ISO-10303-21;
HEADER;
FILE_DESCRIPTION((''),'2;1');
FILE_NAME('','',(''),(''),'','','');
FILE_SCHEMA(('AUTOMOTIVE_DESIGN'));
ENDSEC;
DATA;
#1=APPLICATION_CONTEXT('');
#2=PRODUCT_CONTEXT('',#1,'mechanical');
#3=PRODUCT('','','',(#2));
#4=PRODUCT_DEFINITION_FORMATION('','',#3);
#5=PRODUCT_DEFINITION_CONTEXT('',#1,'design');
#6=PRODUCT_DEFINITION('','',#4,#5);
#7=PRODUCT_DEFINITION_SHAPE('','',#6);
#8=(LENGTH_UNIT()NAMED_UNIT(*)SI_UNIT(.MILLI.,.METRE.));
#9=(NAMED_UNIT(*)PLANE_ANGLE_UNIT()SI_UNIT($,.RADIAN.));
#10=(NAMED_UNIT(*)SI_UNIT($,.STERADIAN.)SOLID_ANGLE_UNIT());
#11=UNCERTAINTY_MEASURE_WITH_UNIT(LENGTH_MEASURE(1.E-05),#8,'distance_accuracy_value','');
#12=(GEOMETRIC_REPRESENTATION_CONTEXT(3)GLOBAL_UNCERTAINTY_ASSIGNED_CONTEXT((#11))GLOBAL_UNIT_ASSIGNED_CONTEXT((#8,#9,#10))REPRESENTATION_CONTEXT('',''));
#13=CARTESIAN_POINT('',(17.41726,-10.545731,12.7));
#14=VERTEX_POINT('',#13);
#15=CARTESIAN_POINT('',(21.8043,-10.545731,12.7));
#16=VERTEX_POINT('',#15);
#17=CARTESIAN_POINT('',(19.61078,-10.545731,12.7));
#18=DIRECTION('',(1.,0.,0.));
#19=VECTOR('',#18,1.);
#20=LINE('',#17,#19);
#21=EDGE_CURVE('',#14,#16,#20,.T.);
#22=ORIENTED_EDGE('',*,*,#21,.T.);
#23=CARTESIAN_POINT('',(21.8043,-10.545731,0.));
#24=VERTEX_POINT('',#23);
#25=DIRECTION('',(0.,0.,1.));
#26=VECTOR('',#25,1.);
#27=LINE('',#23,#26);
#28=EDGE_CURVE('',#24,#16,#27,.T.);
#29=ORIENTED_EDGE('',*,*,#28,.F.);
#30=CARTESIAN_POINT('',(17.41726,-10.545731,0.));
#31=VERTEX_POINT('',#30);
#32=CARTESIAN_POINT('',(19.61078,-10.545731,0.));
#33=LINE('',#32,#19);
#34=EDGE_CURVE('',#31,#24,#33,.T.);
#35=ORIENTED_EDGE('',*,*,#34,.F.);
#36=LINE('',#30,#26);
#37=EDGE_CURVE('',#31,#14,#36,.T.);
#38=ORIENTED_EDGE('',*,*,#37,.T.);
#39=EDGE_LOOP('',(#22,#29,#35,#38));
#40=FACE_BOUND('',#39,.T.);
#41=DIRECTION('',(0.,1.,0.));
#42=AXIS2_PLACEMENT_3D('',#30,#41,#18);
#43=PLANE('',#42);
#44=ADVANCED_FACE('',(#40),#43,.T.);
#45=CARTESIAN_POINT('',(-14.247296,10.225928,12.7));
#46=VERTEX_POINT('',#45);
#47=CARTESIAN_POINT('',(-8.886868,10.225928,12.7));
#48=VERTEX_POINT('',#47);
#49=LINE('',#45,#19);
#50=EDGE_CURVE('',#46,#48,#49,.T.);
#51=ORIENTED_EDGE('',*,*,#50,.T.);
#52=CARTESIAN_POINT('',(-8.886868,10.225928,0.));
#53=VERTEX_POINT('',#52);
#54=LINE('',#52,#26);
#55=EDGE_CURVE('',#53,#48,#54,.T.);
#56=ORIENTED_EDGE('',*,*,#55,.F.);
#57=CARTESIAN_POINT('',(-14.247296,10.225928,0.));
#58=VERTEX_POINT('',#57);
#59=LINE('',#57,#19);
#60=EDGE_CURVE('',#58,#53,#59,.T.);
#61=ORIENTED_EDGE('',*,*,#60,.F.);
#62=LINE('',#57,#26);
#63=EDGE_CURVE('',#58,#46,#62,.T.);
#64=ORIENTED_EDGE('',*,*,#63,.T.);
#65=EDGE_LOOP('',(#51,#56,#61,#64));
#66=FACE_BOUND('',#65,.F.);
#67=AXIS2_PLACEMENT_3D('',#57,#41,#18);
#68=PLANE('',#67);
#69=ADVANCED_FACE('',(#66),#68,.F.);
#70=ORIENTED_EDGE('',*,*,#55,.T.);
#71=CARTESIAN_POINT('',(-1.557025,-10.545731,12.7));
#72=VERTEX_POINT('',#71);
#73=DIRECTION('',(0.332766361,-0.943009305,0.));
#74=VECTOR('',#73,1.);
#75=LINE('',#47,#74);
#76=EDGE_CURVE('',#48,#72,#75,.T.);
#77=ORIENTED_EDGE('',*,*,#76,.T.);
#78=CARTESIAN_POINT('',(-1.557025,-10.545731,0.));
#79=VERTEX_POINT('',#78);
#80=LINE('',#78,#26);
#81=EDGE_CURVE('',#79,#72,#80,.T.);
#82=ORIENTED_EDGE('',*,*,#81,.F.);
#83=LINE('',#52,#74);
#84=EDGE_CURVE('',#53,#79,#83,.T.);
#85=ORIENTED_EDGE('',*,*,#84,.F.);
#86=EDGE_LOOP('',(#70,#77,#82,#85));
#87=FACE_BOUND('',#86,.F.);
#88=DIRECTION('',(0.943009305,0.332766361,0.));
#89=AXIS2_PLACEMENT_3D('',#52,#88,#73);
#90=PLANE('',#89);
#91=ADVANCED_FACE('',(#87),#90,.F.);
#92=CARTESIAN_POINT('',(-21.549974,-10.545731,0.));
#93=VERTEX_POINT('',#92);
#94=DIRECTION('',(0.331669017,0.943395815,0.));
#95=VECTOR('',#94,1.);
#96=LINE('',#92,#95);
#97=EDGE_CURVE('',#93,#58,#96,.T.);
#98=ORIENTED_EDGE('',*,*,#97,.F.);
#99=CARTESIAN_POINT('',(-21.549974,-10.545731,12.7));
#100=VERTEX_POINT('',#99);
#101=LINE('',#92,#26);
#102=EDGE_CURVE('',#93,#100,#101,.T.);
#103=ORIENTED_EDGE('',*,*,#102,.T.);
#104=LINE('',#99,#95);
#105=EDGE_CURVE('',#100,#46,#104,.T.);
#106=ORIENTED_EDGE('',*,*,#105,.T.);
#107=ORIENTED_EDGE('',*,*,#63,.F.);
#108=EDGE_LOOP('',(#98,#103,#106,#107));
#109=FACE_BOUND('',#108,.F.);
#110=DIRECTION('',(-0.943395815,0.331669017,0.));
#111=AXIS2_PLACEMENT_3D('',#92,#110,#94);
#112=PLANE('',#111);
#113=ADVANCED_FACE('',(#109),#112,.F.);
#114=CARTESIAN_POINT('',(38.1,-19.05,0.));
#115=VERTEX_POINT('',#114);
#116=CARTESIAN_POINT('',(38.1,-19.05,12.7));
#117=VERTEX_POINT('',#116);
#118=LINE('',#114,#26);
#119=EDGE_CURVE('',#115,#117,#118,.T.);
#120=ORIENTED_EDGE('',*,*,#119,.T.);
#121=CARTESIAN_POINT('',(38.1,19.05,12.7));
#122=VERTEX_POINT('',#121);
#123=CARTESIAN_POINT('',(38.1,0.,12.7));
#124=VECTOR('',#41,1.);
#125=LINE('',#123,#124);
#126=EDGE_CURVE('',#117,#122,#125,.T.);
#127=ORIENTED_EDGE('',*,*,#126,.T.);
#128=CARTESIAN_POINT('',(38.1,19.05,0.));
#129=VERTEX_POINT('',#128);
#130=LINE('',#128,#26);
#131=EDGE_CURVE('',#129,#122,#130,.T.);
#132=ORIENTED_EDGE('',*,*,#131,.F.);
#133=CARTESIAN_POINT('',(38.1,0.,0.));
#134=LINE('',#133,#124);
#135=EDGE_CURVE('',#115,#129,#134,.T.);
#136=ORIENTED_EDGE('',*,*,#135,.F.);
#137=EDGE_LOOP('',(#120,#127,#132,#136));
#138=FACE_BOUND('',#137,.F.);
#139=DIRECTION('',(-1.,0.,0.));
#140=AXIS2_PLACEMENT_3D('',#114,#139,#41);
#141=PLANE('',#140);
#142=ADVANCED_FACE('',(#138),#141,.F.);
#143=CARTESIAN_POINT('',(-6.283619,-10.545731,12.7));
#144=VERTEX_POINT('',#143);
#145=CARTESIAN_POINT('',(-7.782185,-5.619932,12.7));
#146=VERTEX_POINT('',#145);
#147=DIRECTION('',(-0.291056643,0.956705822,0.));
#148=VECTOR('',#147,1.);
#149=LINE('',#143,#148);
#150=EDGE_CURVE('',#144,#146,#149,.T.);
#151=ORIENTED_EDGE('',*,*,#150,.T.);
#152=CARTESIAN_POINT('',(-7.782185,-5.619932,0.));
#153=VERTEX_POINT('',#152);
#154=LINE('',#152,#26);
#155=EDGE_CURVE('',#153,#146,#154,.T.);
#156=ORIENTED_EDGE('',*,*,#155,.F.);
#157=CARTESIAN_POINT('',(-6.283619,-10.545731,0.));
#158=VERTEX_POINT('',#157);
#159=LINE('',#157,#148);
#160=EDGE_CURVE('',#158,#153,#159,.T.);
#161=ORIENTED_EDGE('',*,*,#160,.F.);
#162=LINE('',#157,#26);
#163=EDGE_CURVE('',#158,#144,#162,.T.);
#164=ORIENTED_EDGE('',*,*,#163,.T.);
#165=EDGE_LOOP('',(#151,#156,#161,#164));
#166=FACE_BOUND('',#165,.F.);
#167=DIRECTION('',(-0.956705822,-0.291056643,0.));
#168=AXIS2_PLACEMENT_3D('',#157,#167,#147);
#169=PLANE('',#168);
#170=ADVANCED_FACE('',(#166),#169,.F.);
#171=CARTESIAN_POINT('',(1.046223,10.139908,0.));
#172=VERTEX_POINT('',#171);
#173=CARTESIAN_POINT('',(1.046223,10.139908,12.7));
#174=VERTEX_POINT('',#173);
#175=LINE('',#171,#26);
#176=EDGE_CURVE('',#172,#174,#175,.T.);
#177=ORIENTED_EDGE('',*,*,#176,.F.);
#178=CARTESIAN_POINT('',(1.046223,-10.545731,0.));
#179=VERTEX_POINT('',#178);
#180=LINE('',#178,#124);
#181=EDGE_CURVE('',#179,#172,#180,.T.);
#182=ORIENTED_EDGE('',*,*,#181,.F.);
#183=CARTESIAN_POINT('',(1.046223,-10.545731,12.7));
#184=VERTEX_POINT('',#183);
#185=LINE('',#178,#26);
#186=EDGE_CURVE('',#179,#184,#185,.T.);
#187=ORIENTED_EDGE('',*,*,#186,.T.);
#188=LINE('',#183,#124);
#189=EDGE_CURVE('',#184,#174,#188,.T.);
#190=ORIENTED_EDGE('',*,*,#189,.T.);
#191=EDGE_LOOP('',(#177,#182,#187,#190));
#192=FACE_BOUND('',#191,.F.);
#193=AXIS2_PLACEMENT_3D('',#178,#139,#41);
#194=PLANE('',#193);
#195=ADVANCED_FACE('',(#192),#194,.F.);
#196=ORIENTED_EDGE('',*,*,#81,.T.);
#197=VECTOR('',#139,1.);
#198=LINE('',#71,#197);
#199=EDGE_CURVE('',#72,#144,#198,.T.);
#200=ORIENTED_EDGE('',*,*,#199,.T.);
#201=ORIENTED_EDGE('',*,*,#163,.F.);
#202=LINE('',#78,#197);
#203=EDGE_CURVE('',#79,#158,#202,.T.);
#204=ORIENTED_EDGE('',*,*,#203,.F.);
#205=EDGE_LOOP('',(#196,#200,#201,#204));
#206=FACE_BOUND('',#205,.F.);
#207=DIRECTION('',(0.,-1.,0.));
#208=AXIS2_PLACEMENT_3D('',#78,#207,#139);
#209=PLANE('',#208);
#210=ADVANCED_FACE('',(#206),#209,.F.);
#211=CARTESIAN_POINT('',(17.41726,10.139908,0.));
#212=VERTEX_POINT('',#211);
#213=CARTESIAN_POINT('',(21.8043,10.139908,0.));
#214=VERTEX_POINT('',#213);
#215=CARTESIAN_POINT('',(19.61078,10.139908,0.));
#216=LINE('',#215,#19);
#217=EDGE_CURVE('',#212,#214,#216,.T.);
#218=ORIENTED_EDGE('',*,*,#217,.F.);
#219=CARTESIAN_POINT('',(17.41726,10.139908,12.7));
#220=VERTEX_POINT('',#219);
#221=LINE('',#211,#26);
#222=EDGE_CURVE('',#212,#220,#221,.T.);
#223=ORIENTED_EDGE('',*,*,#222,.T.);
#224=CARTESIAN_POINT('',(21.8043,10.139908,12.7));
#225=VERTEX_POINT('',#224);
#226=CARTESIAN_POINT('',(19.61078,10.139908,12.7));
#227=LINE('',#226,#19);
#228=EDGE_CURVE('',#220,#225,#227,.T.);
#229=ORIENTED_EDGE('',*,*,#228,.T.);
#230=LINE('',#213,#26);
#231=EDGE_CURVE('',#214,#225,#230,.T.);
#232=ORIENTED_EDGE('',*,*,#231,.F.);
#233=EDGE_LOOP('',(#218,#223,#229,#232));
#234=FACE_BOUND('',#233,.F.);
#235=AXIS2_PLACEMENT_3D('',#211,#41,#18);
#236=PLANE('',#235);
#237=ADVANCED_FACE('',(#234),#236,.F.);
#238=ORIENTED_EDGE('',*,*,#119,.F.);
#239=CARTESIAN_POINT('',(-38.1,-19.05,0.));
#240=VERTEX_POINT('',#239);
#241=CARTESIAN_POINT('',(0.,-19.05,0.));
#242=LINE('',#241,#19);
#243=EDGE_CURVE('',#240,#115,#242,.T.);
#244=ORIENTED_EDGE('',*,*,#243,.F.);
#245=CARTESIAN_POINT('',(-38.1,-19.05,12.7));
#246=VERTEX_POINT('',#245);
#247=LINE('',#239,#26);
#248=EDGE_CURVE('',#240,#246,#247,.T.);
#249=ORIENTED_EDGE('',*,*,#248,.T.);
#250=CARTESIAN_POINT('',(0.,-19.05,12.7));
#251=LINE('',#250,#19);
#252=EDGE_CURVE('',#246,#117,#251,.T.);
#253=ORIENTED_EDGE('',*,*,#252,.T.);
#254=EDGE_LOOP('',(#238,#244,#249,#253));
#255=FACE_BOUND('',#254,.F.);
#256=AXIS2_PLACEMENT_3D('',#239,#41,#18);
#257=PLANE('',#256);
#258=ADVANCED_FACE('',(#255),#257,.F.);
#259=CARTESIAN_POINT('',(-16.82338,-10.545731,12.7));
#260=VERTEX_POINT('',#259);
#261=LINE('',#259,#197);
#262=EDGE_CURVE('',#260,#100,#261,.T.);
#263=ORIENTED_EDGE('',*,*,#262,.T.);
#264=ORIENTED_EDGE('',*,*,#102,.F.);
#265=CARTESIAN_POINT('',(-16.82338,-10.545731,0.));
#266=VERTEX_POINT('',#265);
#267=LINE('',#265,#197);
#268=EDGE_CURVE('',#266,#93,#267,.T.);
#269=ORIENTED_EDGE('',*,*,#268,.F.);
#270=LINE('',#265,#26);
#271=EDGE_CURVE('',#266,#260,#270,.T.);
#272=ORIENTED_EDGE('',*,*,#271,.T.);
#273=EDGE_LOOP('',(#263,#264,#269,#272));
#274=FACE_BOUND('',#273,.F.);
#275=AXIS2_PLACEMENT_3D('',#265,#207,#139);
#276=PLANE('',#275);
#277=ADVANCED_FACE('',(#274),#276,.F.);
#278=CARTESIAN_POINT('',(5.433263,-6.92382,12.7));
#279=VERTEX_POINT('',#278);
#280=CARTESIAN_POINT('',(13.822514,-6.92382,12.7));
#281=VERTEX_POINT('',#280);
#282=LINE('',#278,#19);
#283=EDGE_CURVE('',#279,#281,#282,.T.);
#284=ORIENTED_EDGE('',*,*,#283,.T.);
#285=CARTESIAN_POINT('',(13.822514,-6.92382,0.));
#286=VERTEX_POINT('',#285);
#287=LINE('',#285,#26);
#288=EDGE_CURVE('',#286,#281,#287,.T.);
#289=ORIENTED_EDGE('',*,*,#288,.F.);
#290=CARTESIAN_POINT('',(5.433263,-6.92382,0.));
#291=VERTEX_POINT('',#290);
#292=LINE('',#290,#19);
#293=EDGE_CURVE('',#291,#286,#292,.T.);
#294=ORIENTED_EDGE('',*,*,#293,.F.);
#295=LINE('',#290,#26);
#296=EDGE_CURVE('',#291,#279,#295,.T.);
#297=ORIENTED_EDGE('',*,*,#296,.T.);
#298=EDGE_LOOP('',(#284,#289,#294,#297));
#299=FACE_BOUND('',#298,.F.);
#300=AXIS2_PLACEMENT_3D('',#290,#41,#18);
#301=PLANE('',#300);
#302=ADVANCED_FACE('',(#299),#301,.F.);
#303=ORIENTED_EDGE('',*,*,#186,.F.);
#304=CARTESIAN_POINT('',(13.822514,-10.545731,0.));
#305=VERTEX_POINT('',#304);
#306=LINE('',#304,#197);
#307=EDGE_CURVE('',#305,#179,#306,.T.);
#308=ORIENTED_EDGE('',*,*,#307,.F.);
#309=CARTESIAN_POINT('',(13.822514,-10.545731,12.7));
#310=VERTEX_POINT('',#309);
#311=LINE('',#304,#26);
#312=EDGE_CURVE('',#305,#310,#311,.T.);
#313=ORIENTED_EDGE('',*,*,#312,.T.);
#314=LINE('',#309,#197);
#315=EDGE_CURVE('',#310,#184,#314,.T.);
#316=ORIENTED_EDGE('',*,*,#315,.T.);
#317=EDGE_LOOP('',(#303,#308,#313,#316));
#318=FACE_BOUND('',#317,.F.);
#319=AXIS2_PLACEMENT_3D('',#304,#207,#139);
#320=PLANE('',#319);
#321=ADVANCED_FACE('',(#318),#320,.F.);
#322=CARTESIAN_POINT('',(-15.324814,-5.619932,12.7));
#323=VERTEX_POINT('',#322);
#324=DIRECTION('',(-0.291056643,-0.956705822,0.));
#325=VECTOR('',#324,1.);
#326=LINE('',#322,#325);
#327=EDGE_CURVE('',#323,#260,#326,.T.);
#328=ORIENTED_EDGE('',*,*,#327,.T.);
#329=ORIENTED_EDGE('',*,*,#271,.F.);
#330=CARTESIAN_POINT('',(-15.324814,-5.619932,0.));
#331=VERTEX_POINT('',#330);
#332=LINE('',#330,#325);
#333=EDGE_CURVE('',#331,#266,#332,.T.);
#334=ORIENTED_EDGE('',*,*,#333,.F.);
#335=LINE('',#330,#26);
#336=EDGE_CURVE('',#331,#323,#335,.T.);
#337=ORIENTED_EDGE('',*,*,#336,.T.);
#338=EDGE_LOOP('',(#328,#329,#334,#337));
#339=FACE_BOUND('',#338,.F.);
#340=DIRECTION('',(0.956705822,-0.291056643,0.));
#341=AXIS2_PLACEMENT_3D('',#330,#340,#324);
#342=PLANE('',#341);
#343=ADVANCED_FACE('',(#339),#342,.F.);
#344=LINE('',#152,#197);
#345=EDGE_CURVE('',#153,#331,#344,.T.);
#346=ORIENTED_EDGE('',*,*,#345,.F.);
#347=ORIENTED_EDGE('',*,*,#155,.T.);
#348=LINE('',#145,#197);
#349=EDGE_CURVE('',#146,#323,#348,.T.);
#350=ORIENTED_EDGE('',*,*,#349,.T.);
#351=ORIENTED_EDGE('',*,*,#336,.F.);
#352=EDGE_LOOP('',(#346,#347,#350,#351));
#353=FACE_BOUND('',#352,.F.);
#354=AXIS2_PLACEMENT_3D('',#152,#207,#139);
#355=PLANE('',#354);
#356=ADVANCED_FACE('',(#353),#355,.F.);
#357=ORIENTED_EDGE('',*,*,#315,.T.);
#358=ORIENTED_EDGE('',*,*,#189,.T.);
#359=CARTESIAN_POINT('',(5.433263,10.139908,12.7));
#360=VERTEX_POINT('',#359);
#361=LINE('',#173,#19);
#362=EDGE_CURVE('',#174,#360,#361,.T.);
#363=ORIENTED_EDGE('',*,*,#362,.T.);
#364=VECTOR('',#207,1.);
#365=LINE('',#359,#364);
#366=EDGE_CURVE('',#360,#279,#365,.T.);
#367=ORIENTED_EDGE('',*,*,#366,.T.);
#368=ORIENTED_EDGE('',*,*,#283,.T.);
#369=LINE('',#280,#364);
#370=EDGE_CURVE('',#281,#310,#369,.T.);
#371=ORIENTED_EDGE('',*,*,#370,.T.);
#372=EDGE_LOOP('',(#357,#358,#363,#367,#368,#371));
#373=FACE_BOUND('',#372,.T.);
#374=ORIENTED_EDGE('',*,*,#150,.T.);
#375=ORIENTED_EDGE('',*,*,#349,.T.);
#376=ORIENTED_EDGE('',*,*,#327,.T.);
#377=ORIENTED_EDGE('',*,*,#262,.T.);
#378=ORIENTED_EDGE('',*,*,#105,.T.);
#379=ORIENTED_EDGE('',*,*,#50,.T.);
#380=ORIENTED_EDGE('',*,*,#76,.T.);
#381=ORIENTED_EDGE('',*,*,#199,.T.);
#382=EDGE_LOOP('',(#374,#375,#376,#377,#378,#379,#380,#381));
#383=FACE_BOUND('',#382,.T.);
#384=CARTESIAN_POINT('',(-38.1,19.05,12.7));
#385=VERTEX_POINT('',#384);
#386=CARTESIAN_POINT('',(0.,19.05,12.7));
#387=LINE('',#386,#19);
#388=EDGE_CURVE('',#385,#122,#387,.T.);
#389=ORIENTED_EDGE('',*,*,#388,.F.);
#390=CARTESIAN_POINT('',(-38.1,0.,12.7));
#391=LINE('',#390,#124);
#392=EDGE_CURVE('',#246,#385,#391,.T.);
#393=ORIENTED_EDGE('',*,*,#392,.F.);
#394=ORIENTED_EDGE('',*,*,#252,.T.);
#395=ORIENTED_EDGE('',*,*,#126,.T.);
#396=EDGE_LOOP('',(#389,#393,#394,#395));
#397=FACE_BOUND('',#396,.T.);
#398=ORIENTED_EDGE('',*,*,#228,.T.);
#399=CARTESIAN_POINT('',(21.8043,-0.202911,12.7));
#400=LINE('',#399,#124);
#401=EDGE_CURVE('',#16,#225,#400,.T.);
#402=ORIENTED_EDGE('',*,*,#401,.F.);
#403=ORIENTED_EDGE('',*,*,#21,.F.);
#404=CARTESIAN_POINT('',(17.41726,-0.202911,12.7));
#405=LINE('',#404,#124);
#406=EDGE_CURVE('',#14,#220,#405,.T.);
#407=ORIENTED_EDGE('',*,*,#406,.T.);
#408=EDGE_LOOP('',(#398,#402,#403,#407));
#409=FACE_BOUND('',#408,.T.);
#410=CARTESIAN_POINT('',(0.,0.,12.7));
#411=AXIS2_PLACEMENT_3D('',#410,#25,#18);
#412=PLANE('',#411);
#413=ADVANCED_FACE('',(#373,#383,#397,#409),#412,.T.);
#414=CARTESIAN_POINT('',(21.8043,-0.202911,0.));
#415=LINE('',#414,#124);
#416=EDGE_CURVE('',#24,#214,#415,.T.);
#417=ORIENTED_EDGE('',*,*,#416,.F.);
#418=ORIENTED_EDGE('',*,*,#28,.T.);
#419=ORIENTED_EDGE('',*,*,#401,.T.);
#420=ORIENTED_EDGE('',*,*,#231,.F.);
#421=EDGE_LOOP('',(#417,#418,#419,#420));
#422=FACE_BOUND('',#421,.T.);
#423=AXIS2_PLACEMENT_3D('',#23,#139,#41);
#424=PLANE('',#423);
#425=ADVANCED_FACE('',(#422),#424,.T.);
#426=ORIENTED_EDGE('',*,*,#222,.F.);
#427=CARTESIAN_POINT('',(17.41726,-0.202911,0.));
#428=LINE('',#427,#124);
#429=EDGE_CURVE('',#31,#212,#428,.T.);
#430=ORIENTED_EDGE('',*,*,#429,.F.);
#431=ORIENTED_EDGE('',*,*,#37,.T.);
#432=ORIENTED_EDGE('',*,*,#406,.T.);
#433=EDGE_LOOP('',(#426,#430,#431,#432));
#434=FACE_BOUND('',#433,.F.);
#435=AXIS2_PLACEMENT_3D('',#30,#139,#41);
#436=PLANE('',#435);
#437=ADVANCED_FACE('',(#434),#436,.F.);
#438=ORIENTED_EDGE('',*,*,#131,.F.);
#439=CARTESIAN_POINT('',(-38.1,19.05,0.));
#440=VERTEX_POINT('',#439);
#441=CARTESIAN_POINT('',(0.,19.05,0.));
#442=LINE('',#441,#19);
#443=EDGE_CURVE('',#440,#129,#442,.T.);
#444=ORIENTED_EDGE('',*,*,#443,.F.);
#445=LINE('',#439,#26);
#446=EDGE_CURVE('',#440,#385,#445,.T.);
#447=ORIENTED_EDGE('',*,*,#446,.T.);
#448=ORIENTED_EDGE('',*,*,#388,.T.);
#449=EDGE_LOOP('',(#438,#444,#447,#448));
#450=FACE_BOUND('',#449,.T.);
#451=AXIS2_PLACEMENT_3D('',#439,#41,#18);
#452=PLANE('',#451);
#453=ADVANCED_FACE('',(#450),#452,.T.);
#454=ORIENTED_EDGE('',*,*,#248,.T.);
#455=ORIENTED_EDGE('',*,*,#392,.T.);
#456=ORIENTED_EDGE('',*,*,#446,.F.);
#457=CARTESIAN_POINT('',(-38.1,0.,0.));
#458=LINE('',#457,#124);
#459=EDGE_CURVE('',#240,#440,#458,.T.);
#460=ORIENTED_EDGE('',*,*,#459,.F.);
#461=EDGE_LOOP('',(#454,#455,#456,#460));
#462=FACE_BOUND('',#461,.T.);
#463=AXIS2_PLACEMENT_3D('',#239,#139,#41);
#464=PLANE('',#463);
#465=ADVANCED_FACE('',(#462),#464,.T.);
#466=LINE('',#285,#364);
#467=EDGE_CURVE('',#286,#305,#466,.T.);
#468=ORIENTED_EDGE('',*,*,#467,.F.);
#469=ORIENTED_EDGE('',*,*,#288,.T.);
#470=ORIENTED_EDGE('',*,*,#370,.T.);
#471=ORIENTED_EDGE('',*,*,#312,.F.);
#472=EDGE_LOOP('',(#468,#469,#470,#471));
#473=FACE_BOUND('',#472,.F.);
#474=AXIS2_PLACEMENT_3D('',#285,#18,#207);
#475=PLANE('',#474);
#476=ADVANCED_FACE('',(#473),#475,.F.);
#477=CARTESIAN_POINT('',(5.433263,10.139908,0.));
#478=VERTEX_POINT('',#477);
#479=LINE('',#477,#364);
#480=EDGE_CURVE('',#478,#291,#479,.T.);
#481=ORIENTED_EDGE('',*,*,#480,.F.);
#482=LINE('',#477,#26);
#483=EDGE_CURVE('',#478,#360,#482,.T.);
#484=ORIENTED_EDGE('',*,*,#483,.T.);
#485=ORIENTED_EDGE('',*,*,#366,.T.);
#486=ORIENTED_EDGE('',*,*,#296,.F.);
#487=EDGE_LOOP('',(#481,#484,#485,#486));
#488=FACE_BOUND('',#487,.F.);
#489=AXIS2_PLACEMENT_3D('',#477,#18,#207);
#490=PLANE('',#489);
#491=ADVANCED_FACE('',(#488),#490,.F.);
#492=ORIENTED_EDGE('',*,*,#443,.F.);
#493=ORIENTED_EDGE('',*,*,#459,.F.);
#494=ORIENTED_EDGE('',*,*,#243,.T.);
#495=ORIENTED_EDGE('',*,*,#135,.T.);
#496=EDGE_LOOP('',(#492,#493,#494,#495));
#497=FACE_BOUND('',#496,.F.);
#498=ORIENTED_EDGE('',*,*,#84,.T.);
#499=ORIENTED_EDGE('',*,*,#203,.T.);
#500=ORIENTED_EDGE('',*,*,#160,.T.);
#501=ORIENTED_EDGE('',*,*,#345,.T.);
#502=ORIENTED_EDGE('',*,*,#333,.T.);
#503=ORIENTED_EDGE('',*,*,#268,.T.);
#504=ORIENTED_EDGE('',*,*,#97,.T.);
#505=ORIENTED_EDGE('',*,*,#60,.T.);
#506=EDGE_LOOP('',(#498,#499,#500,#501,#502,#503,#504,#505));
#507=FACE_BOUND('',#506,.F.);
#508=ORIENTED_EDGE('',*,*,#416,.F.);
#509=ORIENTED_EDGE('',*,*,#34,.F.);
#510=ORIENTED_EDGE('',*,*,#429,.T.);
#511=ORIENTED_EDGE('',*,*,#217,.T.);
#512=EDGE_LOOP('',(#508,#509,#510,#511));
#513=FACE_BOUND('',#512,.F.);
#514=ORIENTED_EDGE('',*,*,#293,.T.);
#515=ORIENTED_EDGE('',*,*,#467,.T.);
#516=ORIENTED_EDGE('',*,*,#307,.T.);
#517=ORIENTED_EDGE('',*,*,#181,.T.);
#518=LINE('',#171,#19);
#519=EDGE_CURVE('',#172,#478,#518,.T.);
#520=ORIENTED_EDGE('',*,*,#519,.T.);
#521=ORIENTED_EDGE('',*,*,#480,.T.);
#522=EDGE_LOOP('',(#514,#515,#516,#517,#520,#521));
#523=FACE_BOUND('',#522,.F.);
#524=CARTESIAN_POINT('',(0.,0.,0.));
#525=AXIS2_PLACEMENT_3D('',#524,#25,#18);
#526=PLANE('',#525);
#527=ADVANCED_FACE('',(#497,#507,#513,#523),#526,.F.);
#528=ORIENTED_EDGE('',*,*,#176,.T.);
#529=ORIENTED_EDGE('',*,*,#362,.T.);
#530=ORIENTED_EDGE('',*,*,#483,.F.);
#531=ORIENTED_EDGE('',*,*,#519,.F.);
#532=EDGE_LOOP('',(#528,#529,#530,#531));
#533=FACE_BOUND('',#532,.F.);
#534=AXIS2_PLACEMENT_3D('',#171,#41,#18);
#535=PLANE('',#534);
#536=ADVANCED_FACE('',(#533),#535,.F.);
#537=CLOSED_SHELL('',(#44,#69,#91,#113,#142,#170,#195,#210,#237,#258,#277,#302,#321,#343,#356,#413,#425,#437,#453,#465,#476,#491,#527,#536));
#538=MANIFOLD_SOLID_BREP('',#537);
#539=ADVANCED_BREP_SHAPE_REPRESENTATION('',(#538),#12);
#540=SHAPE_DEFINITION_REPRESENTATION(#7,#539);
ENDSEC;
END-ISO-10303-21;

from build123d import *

# Parameters (mm, degrees)
F0_W     = 76.2
F0_H     = 38.1
F0_W_2   = 4.3870395845
F0_H_2   = 20.68563866
F1_DEPTH = 12.7


with BuildPart() as f1:
    # F0 (on Top) → F1 (new body)
    with BuildSketch(Plane.XY):
        Rectangle(F0_W, F0_H)
        Polygon((-1.5570254376, -10.5457305908), (-6.2836191695, -10.5457305908), (-7.7821848067, -5.6199317591), (-15.3248142677, -5.6199317591), (-16.823379905, -10.5457305908), (-21.5499736369, -10.5457305908), (-14.2472957733, 10.2259284532), (-8.8868676329, 10.2259284532), align=None, mode=Mode.SUBTRACT)
        Polygon((13.8225137457, -10.5457305908), (1.0462230259, -10.5457305908), (1.0462230259, 10.1399080692), (5.4332626104, 10.1399080692), (5.4332626104, -6.9238196851), (13.8225137457, -6.9238196851), align=None, mode=Mode.SUBTRACT)
        with Locations((19.6107801118, -0.2029112608)):
            Rectangle(F0_W_2, F0_H_2, mode=Mode.SUBTRACT)
    extrude(amount=F1_DEPTH)


solid = f1.part
